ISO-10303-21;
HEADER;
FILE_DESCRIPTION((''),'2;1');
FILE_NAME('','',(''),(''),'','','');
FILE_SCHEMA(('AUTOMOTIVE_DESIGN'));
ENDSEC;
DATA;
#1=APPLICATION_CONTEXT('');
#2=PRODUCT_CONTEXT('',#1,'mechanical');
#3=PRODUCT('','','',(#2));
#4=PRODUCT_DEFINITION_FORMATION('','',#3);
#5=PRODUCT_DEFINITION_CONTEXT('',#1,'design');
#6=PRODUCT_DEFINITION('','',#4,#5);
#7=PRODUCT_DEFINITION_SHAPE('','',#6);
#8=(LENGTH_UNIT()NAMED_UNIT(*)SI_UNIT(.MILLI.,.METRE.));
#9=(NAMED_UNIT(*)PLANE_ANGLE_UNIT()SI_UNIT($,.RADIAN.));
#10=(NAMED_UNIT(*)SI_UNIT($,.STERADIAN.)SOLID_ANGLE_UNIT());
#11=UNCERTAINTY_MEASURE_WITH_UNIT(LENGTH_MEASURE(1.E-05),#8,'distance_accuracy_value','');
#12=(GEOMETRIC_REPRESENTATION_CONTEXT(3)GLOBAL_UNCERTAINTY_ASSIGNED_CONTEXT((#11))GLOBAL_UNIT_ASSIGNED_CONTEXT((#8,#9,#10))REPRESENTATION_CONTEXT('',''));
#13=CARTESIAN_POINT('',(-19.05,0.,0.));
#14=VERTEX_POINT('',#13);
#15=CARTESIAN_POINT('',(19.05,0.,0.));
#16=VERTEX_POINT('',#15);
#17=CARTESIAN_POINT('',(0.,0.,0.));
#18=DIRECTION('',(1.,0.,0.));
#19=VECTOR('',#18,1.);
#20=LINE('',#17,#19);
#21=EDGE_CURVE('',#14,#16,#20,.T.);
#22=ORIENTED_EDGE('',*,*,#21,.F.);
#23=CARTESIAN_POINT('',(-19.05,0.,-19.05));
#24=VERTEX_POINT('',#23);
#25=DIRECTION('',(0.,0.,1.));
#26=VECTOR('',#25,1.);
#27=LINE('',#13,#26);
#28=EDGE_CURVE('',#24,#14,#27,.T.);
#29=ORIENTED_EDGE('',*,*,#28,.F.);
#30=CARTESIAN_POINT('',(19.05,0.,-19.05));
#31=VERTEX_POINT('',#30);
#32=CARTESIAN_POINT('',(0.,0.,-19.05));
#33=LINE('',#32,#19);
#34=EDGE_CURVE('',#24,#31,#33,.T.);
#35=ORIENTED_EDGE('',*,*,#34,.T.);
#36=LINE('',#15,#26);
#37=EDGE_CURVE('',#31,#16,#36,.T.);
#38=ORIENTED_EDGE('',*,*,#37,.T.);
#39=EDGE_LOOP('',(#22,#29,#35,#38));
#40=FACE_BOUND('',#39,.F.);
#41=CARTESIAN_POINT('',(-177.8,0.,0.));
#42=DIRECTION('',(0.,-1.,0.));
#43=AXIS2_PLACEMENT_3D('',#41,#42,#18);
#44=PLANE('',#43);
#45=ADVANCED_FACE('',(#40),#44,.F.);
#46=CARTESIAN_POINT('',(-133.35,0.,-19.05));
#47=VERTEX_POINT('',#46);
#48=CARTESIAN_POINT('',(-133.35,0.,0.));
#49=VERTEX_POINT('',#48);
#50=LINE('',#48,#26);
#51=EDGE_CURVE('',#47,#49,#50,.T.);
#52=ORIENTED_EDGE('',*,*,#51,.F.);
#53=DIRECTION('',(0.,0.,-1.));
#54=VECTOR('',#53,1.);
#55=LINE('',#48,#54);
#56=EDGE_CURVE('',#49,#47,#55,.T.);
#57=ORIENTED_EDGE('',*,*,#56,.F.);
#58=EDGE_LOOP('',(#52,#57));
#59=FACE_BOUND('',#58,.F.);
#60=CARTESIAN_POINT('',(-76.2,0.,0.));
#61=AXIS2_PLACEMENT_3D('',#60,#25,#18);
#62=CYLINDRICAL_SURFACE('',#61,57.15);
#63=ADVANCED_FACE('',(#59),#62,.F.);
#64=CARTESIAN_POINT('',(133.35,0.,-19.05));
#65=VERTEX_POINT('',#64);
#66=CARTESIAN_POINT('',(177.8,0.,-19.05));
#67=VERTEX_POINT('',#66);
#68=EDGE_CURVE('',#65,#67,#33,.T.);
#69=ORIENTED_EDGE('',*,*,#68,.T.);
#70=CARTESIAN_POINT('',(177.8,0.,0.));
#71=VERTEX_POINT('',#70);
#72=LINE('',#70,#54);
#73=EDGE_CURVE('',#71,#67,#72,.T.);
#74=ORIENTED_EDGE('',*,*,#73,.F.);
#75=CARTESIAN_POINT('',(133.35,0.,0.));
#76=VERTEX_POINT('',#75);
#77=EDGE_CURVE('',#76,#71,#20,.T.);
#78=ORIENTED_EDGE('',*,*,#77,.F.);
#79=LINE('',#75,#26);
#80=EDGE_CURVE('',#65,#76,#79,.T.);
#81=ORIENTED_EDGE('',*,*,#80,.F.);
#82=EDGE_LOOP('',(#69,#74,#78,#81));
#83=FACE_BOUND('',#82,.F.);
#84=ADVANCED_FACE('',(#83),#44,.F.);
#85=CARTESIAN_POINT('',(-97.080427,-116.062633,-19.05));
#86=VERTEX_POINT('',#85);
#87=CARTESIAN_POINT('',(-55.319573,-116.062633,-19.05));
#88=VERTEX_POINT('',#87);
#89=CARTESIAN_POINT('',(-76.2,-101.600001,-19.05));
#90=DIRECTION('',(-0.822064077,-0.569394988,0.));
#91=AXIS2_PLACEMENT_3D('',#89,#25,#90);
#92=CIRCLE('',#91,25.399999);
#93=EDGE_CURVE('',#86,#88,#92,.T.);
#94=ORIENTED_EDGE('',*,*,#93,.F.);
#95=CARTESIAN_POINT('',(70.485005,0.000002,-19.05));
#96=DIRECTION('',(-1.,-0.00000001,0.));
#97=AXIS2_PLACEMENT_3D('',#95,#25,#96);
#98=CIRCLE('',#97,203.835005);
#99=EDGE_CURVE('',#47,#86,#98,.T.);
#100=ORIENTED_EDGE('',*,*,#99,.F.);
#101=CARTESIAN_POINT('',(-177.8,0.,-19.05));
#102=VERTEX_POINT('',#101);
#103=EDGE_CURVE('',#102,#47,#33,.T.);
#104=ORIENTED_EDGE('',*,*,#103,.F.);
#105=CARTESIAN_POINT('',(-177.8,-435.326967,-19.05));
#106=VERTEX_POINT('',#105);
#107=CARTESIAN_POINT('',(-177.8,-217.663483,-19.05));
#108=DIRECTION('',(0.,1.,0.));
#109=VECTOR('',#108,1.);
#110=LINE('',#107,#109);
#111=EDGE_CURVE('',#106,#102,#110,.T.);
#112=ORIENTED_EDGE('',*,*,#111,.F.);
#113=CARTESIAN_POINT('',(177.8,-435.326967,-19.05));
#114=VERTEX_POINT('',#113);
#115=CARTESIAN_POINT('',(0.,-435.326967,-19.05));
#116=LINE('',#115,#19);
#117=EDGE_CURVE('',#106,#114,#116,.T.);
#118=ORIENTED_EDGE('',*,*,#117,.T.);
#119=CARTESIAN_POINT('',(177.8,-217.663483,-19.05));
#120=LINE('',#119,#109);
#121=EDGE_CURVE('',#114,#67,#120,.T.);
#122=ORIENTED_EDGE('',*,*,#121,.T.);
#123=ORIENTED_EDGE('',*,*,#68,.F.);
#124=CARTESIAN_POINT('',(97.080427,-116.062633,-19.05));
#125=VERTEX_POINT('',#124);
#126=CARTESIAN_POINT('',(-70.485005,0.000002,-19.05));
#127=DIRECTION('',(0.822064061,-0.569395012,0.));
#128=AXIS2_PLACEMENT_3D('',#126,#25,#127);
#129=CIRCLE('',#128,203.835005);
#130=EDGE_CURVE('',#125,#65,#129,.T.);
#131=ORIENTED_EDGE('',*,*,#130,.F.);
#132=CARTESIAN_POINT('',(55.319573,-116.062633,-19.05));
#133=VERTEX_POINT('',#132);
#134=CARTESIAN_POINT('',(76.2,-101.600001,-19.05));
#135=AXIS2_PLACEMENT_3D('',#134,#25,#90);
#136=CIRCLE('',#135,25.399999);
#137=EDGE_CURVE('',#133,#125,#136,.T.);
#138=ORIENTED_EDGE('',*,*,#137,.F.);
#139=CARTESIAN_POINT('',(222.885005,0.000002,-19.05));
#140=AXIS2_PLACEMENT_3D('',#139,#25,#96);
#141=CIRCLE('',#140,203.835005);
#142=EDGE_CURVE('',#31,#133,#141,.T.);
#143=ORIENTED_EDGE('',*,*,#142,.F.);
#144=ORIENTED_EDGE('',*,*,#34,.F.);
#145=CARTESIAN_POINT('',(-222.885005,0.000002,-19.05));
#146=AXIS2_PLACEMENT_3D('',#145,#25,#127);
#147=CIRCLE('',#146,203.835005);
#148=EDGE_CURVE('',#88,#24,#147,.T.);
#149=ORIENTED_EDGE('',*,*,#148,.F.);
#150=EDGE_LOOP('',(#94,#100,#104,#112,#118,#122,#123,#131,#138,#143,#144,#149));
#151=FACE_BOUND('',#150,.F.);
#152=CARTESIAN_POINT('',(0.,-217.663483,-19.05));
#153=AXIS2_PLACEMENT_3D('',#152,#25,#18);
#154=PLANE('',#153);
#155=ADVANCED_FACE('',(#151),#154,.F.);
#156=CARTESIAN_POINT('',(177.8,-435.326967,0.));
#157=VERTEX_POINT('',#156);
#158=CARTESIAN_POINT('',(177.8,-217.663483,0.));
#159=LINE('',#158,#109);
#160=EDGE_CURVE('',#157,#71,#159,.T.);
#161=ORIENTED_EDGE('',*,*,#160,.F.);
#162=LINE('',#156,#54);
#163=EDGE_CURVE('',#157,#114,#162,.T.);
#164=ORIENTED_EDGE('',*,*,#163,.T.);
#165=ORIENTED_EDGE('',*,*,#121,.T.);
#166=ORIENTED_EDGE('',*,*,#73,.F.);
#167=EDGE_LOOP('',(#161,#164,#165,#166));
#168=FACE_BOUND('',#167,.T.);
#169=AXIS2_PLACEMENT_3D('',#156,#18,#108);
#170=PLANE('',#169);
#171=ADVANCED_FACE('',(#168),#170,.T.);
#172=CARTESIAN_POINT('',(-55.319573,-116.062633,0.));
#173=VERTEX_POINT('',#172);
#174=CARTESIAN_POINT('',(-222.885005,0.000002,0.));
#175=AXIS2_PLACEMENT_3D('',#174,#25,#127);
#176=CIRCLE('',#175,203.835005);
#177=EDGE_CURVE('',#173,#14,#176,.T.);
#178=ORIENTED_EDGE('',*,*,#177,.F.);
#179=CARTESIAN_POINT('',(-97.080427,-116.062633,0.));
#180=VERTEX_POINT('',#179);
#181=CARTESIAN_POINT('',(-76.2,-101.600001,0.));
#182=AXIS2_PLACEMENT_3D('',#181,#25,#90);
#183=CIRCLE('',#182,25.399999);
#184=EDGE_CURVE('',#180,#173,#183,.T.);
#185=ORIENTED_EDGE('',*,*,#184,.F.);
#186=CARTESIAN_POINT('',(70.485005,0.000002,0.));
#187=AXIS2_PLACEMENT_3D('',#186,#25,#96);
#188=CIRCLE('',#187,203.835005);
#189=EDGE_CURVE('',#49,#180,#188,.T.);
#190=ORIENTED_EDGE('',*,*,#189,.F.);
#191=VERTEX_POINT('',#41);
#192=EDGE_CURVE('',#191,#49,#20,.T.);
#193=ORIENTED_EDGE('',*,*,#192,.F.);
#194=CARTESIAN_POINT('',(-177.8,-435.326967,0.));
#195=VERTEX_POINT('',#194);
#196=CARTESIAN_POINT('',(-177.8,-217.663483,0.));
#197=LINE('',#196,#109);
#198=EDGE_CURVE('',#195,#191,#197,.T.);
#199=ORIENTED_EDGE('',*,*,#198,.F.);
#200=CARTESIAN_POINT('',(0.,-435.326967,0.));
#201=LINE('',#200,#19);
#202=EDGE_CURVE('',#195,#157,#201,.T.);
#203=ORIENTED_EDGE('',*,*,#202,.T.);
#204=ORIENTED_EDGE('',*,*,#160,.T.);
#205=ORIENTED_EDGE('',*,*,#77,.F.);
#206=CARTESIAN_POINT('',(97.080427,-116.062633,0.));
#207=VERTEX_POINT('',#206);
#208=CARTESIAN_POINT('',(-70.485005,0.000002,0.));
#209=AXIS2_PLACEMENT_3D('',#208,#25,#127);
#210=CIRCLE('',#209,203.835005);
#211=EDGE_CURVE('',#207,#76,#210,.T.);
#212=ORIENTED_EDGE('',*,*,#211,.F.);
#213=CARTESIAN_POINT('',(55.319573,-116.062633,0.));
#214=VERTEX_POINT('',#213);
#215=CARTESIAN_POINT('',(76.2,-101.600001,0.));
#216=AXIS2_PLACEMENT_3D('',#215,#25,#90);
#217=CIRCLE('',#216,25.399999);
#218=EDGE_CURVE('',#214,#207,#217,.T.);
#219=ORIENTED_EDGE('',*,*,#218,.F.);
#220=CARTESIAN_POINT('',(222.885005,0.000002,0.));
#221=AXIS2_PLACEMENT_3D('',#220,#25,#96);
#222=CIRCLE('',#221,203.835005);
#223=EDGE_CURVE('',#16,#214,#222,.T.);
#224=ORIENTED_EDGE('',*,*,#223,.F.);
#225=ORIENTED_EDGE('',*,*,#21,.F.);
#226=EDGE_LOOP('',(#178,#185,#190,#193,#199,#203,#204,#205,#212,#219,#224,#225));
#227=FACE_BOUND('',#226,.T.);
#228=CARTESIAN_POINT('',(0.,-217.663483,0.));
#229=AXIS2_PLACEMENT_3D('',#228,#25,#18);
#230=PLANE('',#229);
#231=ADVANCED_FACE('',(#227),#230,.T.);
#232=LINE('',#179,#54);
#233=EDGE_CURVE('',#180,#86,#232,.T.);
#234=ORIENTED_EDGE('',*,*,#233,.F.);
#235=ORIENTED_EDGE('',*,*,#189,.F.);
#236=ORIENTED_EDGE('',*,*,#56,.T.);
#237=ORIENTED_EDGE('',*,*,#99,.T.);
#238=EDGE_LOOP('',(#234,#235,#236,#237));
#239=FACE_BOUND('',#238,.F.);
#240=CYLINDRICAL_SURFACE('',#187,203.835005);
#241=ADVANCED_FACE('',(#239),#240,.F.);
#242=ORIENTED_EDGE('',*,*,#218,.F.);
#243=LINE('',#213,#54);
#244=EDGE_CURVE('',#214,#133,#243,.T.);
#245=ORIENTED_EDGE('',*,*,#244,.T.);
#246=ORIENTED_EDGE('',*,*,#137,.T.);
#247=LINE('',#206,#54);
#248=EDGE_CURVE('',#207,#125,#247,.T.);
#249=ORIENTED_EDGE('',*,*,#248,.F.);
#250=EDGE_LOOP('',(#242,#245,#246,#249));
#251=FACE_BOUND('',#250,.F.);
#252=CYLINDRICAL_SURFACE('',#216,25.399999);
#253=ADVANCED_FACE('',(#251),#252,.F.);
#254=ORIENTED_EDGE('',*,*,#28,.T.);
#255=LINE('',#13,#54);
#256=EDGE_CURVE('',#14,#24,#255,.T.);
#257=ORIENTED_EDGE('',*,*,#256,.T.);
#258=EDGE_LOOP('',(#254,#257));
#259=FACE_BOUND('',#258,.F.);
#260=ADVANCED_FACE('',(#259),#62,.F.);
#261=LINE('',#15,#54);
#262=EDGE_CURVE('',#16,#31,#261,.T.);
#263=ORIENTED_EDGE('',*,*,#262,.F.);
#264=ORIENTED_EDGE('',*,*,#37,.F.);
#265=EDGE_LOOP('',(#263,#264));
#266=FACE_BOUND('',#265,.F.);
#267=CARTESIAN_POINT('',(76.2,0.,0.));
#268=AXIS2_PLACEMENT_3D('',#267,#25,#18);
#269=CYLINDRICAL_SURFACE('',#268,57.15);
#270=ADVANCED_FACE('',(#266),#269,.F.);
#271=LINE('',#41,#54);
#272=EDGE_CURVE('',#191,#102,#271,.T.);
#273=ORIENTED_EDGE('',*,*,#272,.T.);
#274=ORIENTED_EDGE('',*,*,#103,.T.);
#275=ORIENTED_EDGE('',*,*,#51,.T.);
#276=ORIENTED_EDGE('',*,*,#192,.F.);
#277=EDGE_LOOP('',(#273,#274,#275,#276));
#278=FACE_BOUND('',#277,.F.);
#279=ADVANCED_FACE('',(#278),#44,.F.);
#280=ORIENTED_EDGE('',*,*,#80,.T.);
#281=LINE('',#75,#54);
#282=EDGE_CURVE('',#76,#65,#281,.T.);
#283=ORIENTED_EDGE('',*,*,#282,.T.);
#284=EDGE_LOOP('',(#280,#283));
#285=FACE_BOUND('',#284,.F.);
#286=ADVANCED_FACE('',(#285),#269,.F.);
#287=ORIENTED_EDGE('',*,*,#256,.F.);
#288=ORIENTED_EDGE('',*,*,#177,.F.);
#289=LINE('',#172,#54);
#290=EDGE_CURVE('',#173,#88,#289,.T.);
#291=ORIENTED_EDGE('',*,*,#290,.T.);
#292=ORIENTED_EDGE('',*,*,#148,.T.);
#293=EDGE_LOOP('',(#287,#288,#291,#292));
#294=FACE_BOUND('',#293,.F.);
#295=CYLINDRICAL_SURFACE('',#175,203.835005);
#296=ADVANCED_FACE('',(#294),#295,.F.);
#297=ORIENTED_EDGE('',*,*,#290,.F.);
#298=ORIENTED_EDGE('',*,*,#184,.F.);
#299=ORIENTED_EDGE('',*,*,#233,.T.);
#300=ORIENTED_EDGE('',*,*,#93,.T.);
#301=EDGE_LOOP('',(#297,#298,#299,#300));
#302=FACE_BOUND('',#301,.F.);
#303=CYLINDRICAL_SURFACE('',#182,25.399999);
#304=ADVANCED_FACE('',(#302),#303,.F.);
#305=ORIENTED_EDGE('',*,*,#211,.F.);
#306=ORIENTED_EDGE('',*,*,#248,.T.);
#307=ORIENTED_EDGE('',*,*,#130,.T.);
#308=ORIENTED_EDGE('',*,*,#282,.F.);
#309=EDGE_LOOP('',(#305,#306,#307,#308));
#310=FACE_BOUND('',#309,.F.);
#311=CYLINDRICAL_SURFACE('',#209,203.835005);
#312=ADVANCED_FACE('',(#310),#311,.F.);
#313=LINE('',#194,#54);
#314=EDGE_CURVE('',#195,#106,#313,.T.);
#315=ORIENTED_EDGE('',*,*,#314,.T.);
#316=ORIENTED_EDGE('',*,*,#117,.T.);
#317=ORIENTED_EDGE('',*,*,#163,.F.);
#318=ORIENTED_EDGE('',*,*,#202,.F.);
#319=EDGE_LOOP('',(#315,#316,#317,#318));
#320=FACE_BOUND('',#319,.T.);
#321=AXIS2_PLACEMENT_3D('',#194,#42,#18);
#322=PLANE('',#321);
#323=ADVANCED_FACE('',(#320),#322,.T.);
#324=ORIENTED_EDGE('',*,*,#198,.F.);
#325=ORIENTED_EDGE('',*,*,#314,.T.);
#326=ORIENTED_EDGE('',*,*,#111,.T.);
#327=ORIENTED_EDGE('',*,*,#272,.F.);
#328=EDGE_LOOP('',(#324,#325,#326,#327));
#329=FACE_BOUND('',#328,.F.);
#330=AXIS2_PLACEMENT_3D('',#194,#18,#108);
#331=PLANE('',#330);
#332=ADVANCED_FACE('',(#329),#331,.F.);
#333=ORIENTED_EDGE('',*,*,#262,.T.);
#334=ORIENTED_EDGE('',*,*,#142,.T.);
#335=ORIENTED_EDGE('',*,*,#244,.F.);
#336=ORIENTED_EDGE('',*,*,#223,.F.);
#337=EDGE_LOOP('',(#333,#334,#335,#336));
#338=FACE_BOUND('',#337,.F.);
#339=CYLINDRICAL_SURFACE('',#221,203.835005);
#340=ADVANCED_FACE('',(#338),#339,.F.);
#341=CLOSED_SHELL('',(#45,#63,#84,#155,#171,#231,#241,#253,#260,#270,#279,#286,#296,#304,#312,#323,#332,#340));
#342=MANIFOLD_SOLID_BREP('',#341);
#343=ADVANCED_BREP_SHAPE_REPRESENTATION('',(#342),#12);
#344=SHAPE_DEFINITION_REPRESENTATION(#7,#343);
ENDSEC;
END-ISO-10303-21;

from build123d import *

# Parameters (mm, degrees)
F1_W     = 355.6
F1_H     = 435.326967
F2_DEPTH = 19.05
F3_DEPTH = 19.051


with BuildPart() as f2:
    # F1 (on Top) → F2 (new body)
    with BuildSketch(Plane.XY):
        with Locations((0, -217.663483)):
            Rectangle(F1_W, F1_H)
    extrude(amount=-F2_DEPTH)

    # F0 (on Top) → F3 (cut, through all)
    with BuildSketch(Plane.XY):
        with BuildLine():
            ThreePointArc((-97.080427, -116.062633), (-76.2, -127), (-55.319573, -116.062633))
            ThreePointArc((-55.319573, -116.062633), (-28.328574, -60.798883), (-19.05, 0))
            ThreePointArc((-19.05, 0), (-76.2, 57.15), (-133.35, 0))
            ThreePointArc((-133.35, 0), (-124.071426, -60.798883), (-97.080427, -116.062633))
        make_face()
        with BuildLine():
            ThreePointArc((19.05, 0), (28.328574, -60.798883), (55.319573, -116.062633))
            ThreePointArc((55.319573, -116.062633), (76.2, -127), (97.080427, -116.062633))
            ThreePointArc((97.080427, -116.062633), (124.071426, -60.798883), (133.35, 0))
            ThreePointArc((133.35, 0), (76.2, 57.15), (19.05, 0))
        make_face()
    extrude(amount=-F3_DEPTH, mode=Mode.SUBTRACT)


solid = f2.part
